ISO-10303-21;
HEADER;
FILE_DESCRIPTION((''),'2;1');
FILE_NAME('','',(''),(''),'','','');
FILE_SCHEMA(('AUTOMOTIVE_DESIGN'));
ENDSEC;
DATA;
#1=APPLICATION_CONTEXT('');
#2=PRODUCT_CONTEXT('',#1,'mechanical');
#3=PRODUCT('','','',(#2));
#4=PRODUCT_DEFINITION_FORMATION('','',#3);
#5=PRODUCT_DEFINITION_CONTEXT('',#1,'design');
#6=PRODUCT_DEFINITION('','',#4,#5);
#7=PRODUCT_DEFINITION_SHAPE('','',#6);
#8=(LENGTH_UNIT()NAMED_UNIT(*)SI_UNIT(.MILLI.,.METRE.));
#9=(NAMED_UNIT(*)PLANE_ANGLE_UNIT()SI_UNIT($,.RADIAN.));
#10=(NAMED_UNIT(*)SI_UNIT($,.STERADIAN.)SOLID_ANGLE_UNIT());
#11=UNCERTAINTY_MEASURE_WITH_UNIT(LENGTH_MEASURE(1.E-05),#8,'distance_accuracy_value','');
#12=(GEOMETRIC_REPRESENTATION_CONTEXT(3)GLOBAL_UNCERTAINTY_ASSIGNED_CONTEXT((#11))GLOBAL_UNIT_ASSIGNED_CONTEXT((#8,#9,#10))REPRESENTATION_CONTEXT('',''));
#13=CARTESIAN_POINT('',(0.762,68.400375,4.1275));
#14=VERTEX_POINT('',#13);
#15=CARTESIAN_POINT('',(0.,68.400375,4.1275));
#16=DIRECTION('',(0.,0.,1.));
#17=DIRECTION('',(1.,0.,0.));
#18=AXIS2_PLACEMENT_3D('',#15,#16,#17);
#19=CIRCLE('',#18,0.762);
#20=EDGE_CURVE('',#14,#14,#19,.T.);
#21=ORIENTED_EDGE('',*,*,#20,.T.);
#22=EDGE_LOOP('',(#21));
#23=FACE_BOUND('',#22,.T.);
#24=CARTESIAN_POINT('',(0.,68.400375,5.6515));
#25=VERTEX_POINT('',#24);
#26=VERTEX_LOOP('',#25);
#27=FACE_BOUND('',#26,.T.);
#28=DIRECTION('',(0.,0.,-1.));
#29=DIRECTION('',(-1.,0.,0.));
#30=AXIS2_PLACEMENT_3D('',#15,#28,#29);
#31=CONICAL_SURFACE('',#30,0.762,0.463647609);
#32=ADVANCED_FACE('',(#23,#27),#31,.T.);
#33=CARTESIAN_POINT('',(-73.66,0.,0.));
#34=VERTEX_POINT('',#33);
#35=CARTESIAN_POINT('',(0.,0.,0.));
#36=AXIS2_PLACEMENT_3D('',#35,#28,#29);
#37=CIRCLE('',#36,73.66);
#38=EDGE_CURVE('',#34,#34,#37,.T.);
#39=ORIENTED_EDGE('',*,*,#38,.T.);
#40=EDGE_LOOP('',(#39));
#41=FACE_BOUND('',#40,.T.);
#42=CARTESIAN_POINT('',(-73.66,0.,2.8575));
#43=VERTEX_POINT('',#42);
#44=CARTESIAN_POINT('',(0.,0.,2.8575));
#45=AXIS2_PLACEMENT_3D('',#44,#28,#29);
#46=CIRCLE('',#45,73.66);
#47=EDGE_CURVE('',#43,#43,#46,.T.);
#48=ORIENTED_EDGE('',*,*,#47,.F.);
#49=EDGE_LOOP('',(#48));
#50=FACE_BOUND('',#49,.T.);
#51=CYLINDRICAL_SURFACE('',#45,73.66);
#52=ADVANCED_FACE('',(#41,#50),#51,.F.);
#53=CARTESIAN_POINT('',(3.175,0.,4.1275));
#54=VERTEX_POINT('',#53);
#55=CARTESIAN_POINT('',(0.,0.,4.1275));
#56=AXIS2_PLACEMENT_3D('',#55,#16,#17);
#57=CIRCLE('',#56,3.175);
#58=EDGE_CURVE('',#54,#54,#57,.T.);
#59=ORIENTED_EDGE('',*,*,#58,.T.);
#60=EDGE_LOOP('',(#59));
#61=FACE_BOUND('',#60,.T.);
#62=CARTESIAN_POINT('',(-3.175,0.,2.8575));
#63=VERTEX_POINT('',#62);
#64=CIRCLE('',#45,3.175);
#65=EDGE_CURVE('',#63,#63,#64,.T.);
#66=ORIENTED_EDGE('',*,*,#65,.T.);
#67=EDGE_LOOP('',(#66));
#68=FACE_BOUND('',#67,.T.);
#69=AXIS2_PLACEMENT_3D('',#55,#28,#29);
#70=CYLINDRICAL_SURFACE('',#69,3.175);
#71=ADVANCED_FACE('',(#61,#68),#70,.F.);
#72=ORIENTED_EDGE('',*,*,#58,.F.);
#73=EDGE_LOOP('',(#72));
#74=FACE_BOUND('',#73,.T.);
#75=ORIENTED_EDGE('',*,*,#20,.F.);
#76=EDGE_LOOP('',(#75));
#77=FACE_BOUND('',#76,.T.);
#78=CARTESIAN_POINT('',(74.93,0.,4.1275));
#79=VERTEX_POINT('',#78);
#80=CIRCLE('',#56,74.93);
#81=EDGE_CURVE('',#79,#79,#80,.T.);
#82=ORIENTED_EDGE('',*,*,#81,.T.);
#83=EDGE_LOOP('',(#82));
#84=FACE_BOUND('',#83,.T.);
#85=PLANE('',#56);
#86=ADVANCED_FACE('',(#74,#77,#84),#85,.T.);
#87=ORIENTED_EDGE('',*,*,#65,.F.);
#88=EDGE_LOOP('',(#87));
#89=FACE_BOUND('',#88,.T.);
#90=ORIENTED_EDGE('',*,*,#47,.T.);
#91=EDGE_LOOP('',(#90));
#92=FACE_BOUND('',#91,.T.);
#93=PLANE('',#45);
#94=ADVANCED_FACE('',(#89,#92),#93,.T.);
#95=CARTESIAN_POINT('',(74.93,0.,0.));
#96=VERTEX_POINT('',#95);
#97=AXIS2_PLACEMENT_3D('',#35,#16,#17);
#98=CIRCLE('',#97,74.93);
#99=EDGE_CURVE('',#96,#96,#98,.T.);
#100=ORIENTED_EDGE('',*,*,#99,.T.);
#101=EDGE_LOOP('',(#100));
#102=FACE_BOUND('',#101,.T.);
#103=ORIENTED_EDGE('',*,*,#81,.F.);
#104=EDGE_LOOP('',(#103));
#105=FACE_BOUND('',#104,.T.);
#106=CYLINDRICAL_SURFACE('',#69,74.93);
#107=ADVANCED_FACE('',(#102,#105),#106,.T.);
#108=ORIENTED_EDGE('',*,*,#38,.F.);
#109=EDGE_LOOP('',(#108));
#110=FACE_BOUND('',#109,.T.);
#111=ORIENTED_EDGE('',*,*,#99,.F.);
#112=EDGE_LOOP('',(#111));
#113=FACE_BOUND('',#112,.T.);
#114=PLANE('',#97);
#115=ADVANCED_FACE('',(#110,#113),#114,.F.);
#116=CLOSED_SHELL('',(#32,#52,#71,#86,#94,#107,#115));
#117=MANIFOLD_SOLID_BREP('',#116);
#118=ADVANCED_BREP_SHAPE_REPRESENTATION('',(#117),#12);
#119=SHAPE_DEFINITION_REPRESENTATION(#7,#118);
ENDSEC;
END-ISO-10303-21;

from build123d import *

# Parameters (mm, degrees)
SKETCH1_R           = 74.93
SKETCH1_R_2         = 3.175
BOSS_EXTRUDE1_DEPTH = 4.1275
SKETCH2_R           = 73.66
CUT_EXTRUDE1_DEPTH  = 2.8575


with BuildPart() as part:
    # Sketch1 → Boss-Extrude1 (new body)
    with BuildSketch(Plane.XY):
        Circle(SKETCH1_R)
        Circle(SKETCH1_R_2, mode=Mode.SUBTRACT)
    extrude(amount=BOSS_EXTRUDE1_DEPTH)

    # Sketch2 → Cut-Extrude1 (cut)
    with BuildSketch(Plane(origin=(0, 0, 0), x_dir=(-1, 0, 0), z_dir=(0, 0, -1))):
        Circle(SKETCH2_R)
    extrude(amount=-CUT_EXTRUDE1_DEPTH, mode=Mode.SUBTRACT)

    # Sketch3 → Revolve1 (revolve)
    with BuildSketch(Plane(origin=(0, 0, 0), x_dir=(0, 0, -1), z_dir=(1, 0, 0)), mode=Mode.PRIVATE) as revolve1_sk:
        Polygon((-5.6515, 68.400374819), (-4.1275, 69.162374819), (-4.1275, 68.400374819), align=None)
    revolve(revolve1_sk.sketch.rotate(Axis((0, 68.400374819, 5.6515), (0, 0, -1)), 270), axis=Axis((0, 68.400374819, 5.6515), (0, 0, -1)))


solid = part.part
